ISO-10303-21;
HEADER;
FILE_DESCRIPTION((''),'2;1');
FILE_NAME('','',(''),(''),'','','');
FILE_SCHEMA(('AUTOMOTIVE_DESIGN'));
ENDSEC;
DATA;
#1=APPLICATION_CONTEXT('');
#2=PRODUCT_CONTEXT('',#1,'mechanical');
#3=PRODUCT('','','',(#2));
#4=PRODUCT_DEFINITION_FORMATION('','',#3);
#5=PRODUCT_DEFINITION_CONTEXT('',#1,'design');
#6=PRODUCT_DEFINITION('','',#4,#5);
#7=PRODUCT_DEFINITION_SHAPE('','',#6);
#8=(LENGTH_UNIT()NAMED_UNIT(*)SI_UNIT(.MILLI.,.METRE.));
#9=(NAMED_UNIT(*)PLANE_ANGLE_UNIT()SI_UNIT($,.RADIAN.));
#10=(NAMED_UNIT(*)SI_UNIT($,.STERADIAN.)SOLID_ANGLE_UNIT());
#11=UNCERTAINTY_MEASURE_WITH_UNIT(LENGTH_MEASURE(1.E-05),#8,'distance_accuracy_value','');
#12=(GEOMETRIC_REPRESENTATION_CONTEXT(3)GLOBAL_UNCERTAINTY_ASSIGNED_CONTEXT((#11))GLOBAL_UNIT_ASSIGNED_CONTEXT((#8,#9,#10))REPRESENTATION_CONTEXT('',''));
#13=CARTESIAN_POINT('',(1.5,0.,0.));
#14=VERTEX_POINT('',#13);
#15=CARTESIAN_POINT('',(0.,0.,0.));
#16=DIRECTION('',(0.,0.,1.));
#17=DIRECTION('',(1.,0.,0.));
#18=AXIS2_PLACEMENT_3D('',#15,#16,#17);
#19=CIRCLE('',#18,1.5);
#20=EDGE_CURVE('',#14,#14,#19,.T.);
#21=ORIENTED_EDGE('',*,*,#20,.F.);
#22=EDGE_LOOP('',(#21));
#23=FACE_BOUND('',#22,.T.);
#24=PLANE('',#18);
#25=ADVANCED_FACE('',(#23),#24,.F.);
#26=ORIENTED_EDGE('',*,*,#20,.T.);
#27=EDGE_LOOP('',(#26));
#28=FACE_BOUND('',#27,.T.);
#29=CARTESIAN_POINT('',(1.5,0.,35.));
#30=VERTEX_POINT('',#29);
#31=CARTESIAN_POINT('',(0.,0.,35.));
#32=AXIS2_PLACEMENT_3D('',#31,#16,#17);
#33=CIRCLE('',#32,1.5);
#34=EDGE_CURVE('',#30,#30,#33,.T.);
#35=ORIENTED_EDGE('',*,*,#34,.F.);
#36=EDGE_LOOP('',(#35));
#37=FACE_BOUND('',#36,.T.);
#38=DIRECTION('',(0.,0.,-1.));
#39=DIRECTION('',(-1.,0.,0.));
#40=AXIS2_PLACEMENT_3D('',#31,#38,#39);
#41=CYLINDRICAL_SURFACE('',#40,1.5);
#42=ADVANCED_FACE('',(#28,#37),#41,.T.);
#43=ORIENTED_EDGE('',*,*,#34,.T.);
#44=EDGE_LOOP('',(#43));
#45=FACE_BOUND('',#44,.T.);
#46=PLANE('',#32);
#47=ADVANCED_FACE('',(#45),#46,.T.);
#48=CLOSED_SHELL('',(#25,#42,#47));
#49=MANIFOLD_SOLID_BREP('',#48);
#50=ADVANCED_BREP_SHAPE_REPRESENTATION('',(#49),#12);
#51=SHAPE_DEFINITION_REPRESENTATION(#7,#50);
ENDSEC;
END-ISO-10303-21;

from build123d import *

# Parameters (mm, degrees)
SKETCH2_R           = 1.5
BOSS_EXTRUDE1_DEPTH = 35


with BuildPart() as part:
    # Sketch2 → Boss-Extrude1 (new body)
    with BuildSketch(Plane.XY):
        Circle(SKETCH2_R)
    extrude(amount=BOSS_EXTRUDE1_DEPTH)


solid = part.part
